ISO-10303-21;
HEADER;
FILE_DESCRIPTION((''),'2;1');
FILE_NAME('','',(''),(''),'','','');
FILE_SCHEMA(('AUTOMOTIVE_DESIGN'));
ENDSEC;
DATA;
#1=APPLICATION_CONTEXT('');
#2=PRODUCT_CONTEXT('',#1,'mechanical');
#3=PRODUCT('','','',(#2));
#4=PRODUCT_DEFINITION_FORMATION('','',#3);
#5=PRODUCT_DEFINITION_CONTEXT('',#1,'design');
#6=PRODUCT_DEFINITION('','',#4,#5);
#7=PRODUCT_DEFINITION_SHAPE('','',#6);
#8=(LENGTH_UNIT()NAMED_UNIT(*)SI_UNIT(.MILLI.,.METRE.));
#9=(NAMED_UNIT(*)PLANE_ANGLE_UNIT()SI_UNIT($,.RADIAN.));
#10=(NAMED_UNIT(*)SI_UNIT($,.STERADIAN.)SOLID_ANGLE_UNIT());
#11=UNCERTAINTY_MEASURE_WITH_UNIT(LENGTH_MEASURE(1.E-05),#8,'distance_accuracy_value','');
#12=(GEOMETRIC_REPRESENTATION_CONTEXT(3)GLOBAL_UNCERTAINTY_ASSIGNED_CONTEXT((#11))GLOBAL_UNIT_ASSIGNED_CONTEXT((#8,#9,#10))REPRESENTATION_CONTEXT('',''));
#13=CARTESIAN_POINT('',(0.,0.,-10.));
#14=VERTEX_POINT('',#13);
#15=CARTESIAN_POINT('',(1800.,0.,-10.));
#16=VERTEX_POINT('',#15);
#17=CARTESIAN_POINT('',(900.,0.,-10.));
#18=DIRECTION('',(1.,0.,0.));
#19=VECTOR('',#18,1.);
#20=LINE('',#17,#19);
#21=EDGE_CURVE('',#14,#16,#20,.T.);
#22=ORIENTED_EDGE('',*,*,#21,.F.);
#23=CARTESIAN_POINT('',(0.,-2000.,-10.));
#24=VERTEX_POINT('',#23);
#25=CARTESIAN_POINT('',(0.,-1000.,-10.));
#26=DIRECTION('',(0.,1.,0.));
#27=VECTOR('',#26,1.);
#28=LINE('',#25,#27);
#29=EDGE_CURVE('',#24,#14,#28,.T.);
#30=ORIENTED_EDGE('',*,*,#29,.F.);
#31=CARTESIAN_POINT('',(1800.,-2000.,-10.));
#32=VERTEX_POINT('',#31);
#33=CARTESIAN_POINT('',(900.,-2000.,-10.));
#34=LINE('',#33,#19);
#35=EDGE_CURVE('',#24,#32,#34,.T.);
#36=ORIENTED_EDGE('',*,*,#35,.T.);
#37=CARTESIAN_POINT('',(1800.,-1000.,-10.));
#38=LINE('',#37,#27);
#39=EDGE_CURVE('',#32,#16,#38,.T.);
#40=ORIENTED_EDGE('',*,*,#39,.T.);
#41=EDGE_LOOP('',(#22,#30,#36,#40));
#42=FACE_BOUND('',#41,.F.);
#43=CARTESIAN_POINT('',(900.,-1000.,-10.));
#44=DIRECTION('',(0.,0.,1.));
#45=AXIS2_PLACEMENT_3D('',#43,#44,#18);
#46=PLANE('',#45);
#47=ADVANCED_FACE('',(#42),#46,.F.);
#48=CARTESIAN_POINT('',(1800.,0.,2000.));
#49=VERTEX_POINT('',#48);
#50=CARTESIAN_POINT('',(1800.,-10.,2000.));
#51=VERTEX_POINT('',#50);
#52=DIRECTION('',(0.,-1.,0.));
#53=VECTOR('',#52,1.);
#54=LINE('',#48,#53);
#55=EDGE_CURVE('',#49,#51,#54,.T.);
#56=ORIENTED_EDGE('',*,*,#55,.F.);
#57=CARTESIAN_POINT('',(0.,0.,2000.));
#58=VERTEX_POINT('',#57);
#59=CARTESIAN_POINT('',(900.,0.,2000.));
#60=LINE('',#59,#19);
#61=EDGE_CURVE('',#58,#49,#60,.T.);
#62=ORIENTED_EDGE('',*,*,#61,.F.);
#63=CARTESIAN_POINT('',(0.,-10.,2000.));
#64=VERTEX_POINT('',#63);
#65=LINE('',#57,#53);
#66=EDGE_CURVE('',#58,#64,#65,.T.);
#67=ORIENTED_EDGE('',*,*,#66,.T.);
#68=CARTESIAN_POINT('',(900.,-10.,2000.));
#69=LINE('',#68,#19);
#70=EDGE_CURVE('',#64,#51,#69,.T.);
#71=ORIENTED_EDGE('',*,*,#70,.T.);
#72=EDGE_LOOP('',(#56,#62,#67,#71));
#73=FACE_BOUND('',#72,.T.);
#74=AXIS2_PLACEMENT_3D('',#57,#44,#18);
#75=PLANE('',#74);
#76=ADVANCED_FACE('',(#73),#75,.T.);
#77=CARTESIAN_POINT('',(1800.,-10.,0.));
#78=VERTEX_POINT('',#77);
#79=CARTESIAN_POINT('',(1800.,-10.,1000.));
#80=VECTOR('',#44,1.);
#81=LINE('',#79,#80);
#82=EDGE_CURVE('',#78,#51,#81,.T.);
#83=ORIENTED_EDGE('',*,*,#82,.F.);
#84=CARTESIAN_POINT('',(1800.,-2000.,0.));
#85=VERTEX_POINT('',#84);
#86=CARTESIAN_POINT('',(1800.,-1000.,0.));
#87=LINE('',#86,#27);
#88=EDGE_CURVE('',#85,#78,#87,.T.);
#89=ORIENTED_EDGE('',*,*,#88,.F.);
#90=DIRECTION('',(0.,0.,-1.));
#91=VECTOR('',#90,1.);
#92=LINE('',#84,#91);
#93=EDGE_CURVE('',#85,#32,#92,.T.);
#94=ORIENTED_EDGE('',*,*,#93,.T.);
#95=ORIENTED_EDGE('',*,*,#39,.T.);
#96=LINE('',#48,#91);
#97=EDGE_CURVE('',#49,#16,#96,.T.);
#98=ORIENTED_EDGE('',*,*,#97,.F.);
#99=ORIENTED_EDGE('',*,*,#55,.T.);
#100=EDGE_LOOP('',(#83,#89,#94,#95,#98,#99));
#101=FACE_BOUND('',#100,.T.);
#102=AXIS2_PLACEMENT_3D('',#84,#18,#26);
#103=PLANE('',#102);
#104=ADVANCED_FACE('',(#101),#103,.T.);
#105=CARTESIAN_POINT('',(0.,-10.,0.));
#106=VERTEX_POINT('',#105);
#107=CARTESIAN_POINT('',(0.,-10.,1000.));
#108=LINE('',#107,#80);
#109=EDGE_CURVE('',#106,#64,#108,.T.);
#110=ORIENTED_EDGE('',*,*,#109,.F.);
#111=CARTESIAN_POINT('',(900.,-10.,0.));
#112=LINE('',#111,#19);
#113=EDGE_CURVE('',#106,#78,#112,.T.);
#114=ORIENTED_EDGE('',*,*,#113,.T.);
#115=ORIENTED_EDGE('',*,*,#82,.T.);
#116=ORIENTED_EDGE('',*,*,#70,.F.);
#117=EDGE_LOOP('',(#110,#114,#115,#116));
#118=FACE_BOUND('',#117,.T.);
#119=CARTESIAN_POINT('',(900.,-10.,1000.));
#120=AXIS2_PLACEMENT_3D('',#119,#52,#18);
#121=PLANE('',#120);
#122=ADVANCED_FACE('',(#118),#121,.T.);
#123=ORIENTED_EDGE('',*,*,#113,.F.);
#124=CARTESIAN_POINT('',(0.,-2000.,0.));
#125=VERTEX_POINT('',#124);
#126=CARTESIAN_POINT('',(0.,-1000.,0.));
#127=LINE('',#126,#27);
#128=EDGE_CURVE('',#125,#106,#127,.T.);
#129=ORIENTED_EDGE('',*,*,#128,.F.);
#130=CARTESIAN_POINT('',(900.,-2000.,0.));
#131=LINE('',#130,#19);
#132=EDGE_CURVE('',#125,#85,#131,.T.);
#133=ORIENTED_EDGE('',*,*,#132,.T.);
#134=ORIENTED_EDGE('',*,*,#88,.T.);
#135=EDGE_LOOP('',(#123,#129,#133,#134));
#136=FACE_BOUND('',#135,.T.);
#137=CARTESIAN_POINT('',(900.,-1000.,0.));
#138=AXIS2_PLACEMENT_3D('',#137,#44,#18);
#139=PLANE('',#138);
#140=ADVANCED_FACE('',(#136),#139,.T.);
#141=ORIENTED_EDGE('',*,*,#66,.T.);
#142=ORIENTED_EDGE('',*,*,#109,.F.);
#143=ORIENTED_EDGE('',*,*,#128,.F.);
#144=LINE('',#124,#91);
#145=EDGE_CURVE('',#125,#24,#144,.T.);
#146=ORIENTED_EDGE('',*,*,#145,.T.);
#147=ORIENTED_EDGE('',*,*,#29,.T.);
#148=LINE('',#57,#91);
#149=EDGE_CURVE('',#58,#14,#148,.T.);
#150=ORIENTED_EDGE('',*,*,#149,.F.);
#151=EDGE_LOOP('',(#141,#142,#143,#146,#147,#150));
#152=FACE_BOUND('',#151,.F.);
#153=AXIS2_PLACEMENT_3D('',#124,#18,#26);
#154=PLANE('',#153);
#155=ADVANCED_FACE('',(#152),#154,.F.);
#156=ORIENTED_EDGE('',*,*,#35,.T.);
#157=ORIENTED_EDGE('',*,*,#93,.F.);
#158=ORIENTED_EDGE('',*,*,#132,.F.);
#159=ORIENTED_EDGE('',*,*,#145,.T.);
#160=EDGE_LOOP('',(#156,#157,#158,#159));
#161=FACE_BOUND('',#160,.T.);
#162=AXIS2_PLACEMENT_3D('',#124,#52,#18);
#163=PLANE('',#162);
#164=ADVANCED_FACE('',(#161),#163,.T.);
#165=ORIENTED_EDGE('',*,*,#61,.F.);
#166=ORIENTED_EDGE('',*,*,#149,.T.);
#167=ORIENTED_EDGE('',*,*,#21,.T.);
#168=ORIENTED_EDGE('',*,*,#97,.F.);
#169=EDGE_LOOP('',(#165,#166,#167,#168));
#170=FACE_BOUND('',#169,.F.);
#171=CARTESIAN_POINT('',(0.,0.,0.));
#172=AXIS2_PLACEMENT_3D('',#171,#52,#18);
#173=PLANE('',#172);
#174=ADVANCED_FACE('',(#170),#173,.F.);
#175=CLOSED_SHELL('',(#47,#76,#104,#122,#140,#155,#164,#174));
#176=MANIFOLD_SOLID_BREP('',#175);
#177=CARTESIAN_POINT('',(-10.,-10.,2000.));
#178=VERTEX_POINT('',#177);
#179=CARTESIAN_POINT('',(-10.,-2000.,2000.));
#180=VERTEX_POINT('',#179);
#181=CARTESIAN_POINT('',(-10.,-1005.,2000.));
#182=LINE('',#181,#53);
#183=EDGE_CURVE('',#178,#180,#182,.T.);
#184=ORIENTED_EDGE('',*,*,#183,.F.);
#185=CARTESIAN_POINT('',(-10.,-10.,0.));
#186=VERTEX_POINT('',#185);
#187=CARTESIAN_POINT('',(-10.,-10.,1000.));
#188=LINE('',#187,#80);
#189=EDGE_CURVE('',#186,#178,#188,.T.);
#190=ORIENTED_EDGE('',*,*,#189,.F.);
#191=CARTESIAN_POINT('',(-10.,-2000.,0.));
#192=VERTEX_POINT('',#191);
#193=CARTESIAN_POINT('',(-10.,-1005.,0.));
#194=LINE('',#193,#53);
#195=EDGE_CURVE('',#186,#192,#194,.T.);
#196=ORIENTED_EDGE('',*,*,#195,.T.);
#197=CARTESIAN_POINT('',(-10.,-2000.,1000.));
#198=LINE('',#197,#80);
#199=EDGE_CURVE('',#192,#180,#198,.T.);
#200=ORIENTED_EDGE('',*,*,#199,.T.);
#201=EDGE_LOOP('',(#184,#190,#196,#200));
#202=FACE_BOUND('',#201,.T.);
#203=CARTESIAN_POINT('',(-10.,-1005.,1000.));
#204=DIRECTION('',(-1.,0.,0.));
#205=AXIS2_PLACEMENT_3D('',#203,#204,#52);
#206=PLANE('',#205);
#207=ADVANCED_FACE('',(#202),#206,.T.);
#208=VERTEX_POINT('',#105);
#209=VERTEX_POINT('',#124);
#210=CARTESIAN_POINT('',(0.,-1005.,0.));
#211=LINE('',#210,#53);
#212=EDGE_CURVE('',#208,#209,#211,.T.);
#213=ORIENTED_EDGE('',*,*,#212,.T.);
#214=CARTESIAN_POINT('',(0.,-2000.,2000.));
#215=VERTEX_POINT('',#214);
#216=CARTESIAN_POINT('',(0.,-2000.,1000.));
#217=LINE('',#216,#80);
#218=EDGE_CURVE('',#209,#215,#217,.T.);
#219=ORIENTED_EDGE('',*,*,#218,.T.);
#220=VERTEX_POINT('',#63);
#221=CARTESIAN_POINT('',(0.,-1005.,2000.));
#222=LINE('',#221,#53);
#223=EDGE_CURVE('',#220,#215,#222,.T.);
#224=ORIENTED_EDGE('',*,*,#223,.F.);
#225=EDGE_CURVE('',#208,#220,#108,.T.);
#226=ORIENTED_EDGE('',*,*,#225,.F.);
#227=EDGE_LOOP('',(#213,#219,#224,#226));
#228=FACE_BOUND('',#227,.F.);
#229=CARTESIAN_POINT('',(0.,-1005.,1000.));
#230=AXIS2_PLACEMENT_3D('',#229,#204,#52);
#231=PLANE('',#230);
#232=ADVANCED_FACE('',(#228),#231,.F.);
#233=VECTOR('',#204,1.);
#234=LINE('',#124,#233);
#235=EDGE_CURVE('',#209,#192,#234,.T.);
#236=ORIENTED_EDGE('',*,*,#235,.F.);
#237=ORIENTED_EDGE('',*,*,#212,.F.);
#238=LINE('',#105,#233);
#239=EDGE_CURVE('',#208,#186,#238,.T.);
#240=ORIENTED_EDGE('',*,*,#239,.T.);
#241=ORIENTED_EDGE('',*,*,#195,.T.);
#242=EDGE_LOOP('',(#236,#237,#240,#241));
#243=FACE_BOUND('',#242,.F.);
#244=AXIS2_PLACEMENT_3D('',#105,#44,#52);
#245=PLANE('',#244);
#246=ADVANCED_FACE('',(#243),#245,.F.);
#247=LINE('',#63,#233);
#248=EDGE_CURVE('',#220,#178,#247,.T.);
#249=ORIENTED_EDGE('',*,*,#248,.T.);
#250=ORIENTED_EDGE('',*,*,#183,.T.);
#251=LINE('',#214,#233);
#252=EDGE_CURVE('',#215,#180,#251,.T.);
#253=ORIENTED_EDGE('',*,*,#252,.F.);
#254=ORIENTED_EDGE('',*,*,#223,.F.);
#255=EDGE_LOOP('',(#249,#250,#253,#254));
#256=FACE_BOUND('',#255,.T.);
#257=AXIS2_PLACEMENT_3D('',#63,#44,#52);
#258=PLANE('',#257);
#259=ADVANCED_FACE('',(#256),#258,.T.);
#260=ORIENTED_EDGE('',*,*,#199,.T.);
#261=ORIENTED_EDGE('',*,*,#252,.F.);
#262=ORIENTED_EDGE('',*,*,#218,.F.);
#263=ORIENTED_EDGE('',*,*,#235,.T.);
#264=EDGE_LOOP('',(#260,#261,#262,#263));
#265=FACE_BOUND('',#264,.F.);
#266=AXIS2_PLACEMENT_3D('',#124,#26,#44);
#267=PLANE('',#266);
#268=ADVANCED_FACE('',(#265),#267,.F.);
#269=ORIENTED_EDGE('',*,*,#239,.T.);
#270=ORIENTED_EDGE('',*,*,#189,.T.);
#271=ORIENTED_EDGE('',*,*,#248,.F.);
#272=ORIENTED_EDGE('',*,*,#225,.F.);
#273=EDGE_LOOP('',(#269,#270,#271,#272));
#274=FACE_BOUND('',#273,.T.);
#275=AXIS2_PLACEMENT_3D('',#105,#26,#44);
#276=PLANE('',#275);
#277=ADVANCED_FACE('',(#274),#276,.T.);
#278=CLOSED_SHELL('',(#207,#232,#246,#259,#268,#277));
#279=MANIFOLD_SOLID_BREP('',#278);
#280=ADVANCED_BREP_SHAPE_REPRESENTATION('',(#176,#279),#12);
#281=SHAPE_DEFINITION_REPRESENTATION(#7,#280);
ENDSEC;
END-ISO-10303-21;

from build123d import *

# Parameters (mm, degrees)
F2_W     = 1800
F2_H     = 2000
F3_DEPTH = 10
F0_W     = 1800
F0_H     = 2000
F4_DEPTH = 10
F5_W     = 1990
F5_H     = 2000
F1_DEPTH = 10


with BuildPart() as f3:
    # F2 (on Front) → F3 (new body)
    with BuildSketch(Plane.XZ):
        with Locations((900, 1000)):
            Rectangle(F2_W, F2_H)
    extrude(amount=F3_DEPTH)

    # F0 (on Top) → F4 (join)
    with BuildSketch(Plane.XY):
        with Locations((900, -1000)):
            Rectangle(F0_W, F0_H)
    extrude(amount=-F4_DEPTH)


with BuildPart() as f1:
    # F5 (on face) → F1 (new body)
    with BuildSketch(Plane(origin=(0, 0, 0), x_dir=(0, -1, 0), z_dir=(-1, 0, 0))):
        with Locations((1005, 1000)):
            Rectangle(F5_W, F5_H)
    extrude(amount=F1_DEPTH)


solid = Compound([f3.part, f1.part])
